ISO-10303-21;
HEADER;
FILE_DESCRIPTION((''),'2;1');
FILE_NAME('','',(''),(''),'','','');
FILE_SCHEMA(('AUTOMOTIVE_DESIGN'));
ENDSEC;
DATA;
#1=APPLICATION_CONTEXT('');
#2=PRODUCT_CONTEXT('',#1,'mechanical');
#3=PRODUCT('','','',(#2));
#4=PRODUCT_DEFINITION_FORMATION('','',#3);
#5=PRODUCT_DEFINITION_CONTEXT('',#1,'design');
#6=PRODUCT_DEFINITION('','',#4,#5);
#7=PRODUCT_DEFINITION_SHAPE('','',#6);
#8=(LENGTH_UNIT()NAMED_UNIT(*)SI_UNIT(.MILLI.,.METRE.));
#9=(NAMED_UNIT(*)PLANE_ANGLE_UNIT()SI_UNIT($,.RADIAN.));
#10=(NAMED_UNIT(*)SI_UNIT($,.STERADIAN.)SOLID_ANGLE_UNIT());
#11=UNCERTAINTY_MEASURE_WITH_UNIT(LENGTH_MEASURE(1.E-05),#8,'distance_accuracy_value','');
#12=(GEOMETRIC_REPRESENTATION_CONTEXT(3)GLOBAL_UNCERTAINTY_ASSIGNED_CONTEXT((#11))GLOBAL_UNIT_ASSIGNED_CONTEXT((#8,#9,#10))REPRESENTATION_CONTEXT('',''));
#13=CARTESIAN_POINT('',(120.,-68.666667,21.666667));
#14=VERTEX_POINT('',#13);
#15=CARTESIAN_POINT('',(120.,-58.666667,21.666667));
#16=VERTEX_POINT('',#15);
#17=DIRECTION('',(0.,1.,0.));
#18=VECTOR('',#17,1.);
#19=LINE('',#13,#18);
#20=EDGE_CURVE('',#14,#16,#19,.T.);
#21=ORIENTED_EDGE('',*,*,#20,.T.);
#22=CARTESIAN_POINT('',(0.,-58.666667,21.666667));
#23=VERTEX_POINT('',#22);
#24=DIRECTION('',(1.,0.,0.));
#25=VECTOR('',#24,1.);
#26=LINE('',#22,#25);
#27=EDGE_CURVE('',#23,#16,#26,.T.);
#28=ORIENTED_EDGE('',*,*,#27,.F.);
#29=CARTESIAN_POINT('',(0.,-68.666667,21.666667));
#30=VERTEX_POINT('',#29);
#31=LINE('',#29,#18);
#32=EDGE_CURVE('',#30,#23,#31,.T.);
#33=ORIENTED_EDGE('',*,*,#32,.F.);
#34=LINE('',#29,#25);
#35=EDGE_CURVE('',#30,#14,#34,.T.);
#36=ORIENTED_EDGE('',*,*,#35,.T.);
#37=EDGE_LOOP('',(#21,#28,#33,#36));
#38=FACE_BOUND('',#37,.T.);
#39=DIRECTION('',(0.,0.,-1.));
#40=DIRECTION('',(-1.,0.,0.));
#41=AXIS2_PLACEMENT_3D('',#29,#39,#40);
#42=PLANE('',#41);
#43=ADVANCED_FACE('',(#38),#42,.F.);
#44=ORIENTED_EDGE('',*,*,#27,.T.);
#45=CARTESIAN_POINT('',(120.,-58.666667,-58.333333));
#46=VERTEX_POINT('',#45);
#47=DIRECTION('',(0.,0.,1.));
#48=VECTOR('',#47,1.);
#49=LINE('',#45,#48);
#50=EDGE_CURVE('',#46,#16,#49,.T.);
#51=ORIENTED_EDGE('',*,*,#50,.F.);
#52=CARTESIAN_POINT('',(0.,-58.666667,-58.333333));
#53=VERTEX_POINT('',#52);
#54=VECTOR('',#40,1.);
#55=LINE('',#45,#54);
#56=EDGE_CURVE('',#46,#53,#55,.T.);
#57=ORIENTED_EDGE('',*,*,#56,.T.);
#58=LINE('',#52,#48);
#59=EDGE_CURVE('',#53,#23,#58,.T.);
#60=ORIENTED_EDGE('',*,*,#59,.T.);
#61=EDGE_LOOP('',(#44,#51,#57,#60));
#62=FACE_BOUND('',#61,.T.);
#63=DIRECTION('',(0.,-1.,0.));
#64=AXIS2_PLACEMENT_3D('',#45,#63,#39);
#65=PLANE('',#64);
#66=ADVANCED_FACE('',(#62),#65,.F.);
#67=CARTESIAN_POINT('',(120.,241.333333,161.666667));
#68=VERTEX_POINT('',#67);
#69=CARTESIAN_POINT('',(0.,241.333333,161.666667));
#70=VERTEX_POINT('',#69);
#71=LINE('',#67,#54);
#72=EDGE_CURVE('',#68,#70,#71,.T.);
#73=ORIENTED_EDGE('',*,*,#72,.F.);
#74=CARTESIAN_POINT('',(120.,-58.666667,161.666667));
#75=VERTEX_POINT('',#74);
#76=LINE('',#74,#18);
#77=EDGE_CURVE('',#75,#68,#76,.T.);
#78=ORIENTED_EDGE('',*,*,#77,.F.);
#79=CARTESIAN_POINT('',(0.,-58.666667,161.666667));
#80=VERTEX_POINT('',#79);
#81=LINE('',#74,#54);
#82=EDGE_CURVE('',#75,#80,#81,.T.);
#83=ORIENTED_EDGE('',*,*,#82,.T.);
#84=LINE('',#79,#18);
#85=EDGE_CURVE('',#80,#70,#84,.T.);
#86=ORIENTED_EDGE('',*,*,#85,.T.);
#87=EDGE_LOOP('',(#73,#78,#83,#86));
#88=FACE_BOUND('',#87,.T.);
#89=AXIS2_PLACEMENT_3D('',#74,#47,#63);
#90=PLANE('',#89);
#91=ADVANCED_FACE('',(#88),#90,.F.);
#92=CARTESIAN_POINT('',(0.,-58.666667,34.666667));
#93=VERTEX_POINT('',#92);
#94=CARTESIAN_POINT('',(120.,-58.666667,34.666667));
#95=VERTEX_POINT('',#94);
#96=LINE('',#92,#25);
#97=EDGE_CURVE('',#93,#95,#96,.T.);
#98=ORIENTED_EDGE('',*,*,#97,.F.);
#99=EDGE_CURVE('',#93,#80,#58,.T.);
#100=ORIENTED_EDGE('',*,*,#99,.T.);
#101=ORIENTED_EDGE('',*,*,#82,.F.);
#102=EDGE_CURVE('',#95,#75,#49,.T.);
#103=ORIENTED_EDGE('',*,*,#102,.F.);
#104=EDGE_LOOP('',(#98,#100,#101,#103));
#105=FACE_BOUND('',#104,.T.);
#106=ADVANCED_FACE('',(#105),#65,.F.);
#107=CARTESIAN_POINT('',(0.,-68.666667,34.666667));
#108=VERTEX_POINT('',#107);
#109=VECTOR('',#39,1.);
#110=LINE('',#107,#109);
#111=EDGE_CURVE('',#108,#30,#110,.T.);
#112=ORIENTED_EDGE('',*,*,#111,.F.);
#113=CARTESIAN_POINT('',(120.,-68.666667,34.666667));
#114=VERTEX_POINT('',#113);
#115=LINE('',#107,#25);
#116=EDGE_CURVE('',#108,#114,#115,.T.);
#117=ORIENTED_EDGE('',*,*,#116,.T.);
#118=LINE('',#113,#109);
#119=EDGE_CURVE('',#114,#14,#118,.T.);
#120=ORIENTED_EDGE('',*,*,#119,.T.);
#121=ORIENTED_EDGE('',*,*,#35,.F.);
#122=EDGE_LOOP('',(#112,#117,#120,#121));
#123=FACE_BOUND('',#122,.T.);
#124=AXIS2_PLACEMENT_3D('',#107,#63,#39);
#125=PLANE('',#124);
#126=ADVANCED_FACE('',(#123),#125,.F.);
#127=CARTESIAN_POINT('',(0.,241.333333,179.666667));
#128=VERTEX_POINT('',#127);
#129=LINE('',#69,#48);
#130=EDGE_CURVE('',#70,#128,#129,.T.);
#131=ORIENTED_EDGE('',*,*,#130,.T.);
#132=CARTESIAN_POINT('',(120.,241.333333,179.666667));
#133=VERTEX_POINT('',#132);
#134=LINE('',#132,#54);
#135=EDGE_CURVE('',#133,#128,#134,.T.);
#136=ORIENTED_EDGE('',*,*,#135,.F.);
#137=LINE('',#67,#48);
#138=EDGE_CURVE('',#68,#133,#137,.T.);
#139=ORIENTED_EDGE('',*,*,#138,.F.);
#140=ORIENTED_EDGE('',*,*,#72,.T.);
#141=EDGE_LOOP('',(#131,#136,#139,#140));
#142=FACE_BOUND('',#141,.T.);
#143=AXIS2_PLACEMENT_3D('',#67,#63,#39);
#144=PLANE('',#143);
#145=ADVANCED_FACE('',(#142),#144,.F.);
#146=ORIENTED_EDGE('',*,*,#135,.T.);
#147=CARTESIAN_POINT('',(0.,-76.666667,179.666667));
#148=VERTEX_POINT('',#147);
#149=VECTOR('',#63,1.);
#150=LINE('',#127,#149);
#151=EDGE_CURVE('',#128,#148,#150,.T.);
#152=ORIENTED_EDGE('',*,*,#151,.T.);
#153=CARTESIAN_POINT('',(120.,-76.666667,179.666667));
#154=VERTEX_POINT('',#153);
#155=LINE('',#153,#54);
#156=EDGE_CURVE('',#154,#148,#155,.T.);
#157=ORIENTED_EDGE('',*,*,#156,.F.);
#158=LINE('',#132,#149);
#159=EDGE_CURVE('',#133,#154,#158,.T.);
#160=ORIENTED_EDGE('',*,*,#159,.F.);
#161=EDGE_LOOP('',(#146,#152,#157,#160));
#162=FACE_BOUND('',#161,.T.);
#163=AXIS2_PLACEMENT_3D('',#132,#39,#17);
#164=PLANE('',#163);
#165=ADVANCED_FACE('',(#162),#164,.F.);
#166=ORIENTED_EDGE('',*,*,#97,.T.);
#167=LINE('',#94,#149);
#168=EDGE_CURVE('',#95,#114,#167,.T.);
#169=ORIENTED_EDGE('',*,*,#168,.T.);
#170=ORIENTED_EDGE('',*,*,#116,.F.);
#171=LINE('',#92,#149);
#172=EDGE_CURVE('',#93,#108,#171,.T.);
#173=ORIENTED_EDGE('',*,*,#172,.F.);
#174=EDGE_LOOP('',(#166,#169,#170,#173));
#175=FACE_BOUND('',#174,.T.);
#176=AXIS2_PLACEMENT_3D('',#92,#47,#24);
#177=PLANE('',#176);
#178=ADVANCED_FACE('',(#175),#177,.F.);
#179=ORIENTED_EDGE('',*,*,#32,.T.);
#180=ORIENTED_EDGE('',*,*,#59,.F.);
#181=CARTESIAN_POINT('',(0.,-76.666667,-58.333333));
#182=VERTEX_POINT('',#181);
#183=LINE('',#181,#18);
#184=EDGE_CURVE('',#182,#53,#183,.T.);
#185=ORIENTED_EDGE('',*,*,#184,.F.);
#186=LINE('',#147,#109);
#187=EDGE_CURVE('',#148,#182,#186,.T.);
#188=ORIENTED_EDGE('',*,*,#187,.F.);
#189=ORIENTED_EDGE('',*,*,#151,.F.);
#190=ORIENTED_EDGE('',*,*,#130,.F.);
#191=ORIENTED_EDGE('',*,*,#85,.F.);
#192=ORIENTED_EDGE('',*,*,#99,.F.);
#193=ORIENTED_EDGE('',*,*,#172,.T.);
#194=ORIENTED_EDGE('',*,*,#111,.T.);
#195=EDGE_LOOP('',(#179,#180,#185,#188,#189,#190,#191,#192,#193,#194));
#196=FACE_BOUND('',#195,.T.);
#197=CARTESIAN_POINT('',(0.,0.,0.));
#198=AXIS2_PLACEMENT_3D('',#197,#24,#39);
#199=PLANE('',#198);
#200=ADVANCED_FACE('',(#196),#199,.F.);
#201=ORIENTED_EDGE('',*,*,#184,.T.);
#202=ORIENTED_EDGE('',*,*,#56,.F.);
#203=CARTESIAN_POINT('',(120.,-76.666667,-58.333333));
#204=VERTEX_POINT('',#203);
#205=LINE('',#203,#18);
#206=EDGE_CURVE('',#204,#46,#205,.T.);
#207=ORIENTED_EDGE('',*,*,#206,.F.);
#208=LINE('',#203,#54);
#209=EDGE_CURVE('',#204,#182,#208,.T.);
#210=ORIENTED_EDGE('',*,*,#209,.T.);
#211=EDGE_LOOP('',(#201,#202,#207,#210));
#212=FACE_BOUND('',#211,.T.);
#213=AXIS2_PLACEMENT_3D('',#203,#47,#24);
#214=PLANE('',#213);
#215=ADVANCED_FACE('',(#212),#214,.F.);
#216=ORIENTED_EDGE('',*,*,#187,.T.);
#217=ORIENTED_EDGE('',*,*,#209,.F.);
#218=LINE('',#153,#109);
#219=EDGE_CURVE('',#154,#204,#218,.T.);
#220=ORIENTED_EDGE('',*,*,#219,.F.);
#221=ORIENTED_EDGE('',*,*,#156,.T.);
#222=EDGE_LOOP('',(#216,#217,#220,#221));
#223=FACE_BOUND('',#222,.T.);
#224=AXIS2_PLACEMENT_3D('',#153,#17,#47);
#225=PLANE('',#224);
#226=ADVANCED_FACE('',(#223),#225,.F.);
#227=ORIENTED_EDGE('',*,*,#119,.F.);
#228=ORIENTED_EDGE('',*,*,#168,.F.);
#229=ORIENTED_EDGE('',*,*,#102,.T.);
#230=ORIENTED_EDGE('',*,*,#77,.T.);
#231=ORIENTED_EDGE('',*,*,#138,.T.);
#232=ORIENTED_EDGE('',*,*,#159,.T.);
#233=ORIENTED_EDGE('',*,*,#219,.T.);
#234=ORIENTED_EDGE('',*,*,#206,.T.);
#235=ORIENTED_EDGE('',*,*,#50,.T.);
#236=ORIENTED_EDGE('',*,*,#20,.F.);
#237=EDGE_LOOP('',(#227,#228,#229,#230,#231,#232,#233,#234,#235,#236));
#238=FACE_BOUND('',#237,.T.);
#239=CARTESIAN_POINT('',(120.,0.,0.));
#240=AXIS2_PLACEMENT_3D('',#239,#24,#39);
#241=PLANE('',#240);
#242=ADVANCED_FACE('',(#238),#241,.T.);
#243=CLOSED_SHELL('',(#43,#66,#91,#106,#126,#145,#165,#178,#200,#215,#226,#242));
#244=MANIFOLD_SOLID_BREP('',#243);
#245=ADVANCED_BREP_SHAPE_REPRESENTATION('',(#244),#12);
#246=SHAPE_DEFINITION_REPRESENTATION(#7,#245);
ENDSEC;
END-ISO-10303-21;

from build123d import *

# Parameters (mm, degrees)
EXTRUDE_1_DEPTH     = 120
SKETCH_2_W          = 13
SKETCH_2_H          = 10
CUT_EXTRUDE_1_DEPTH = 324.916484435


with BuildPart() as part:
    # 草圖1 → 填料-伸長1 (new body)
    with BuildSketch(Plane(origin=(0, 0, 0), x_dir=(0, 0, -1), z_dir=(1, 0, 0))):
        Polygon((-179.666666667, 241.333333333), (-179.666666667, -76.666666667), (58.333333333, -76.666666667), (58.333333333, -58.666666667), (-161.666666667, -58.666666667), (-161.666666667, 241.333333333), align=None)
    extrude(amount=EXTRUDE_1_DEPTH)

    # 草圖2 → 除料-伸長1 (cut, through all)
    with BuildSketch(Plane(origin=(120, 0, 0), x_dir=(0, 0, -1), z_dir=(1, 0, 0))):
        with Locations((-28.166666667, -63.666666667)):
            Rectangle(SKETCH_2_W, SKETCH_2_H)
    extrude(amount=-CUT_EXTRUDE_1_DEPTH, mode=Mode.SUBTRACT)


solid = part.part
